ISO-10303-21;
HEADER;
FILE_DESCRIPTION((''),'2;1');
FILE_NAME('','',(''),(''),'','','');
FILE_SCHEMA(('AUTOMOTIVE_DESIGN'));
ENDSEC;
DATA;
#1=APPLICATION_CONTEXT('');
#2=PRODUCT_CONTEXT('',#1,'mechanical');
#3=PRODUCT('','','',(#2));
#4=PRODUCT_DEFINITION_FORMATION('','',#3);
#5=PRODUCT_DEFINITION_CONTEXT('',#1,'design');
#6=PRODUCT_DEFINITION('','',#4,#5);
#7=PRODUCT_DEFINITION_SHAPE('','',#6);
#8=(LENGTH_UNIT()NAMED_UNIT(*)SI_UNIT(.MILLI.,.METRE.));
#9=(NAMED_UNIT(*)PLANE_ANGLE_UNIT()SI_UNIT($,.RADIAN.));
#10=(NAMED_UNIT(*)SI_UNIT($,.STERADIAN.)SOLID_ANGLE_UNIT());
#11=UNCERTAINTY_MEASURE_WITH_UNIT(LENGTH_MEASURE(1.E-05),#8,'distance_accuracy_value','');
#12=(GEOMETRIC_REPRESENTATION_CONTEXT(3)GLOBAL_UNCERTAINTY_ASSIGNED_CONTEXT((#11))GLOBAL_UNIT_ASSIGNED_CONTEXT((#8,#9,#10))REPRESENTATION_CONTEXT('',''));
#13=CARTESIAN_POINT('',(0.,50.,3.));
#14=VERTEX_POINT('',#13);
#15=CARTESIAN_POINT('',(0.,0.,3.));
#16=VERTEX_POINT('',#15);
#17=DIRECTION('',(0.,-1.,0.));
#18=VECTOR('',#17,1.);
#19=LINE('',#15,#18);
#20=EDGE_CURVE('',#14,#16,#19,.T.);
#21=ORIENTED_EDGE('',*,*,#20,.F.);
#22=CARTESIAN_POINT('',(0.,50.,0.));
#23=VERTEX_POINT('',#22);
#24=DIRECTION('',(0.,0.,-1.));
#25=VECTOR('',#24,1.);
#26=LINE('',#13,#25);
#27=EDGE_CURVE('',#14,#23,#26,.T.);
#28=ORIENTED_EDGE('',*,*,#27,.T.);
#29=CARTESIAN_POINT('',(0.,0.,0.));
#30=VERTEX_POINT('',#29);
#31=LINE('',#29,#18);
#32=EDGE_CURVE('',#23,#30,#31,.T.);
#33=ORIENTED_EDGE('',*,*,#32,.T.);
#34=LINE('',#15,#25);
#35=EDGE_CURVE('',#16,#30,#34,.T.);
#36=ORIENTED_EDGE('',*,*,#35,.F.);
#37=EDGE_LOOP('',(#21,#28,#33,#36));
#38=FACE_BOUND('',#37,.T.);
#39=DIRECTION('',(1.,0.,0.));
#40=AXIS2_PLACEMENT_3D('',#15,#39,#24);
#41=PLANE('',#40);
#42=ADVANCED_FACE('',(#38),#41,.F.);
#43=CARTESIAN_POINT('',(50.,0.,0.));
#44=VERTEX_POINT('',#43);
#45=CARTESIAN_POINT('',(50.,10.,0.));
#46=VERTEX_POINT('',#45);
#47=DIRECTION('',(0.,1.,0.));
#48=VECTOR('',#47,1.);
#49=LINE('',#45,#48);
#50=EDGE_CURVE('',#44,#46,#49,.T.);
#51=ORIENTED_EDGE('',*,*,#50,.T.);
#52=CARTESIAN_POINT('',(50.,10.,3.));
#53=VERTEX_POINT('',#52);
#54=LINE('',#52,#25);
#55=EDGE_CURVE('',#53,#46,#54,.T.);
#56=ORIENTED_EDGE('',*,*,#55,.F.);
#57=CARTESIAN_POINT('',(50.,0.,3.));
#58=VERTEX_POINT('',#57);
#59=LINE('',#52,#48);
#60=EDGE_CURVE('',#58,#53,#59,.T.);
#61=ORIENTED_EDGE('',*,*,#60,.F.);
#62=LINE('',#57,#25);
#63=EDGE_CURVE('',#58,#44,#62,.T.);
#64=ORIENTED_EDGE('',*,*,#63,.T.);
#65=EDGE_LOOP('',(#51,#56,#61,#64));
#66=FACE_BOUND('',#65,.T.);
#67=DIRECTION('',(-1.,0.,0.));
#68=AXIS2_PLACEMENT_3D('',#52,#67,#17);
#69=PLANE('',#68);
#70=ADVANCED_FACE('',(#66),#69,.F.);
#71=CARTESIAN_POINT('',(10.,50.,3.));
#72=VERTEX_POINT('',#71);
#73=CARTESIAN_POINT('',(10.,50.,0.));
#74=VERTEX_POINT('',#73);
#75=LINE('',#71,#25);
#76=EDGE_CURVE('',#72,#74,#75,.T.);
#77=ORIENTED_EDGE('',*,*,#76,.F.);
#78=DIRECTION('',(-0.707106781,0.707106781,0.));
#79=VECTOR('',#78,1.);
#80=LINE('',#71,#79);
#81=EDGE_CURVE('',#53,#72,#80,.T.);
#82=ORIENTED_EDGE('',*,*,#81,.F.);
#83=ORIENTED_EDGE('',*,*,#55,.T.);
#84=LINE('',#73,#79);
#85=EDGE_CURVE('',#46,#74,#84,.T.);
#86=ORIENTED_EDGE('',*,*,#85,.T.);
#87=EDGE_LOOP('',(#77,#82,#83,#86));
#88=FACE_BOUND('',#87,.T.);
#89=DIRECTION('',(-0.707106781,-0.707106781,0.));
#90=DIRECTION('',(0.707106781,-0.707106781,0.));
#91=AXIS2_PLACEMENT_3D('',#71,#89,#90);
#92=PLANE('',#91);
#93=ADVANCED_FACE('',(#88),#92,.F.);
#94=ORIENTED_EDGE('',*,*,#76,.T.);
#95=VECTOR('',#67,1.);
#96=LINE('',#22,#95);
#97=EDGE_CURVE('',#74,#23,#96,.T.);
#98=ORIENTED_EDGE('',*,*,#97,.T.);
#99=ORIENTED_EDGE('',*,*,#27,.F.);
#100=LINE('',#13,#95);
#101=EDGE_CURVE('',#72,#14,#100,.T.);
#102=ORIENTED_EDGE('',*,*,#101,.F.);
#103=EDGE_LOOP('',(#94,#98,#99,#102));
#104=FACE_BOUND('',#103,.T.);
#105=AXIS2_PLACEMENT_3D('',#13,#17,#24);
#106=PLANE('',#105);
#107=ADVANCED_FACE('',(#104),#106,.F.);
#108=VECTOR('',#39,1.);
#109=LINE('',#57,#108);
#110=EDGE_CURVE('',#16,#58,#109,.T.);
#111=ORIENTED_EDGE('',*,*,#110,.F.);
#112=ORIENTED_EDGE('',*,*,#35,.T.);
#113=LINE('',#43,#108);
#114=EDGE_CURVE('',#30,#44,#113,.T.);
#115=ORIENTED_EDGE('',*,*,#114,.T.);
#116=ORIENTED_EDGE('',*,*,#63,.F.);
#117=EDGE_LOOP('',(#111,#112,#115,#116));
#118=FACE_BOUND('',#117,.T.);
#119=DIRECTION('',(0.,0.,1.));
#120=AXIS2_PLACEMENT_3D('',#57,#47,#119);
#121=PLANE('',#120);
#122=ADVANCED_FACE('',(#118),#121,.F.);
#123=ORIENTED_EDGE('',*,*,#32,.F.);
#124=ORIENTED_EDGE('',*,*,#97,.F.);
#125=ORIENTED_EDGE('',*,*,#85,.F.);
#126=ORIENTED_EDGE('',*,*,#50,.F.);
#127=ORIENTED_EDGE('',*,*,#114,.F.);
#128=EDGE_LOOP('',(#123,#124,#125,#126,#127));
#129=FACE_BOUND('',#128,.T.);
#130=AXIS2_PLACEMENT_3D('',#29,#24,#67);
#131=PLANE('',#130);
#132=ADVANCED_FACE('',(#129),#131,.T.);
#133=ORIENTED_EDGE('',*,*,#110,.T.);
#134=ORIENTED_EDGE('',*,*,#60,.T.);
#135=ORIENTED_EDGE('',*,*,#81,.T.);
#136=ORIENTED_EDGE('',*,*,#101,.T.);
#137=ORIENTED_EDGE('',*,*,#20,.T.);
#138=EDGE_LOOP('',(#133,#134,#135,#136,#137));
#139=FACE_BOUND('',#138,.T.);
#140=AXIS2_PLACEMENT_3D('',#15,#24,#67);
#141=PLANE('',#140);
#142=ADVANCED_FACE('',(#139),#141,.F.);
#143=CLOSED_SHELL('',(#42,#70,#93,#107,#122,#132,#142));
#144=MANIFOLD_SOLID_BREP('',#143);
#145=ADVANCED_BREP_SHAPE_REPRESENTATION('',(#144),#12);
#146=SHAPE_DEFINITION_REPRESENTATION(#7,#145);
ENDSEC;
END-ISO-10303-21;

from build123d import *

# Parameters (mm, degrees)
EXTRUDE_1_DEPTH = 3


with BuildPart() as part:
    # 草图1 → 凸台-拉伸1 (new body)
    with BuildSketch(Plane.XY):
        Polygon((0, 0), (0, 50), (10, 50), (50, 10), (50, 0), align=None)
    extrude(amount=EXTRUDE_1_DEPTH)


solid = part.part
